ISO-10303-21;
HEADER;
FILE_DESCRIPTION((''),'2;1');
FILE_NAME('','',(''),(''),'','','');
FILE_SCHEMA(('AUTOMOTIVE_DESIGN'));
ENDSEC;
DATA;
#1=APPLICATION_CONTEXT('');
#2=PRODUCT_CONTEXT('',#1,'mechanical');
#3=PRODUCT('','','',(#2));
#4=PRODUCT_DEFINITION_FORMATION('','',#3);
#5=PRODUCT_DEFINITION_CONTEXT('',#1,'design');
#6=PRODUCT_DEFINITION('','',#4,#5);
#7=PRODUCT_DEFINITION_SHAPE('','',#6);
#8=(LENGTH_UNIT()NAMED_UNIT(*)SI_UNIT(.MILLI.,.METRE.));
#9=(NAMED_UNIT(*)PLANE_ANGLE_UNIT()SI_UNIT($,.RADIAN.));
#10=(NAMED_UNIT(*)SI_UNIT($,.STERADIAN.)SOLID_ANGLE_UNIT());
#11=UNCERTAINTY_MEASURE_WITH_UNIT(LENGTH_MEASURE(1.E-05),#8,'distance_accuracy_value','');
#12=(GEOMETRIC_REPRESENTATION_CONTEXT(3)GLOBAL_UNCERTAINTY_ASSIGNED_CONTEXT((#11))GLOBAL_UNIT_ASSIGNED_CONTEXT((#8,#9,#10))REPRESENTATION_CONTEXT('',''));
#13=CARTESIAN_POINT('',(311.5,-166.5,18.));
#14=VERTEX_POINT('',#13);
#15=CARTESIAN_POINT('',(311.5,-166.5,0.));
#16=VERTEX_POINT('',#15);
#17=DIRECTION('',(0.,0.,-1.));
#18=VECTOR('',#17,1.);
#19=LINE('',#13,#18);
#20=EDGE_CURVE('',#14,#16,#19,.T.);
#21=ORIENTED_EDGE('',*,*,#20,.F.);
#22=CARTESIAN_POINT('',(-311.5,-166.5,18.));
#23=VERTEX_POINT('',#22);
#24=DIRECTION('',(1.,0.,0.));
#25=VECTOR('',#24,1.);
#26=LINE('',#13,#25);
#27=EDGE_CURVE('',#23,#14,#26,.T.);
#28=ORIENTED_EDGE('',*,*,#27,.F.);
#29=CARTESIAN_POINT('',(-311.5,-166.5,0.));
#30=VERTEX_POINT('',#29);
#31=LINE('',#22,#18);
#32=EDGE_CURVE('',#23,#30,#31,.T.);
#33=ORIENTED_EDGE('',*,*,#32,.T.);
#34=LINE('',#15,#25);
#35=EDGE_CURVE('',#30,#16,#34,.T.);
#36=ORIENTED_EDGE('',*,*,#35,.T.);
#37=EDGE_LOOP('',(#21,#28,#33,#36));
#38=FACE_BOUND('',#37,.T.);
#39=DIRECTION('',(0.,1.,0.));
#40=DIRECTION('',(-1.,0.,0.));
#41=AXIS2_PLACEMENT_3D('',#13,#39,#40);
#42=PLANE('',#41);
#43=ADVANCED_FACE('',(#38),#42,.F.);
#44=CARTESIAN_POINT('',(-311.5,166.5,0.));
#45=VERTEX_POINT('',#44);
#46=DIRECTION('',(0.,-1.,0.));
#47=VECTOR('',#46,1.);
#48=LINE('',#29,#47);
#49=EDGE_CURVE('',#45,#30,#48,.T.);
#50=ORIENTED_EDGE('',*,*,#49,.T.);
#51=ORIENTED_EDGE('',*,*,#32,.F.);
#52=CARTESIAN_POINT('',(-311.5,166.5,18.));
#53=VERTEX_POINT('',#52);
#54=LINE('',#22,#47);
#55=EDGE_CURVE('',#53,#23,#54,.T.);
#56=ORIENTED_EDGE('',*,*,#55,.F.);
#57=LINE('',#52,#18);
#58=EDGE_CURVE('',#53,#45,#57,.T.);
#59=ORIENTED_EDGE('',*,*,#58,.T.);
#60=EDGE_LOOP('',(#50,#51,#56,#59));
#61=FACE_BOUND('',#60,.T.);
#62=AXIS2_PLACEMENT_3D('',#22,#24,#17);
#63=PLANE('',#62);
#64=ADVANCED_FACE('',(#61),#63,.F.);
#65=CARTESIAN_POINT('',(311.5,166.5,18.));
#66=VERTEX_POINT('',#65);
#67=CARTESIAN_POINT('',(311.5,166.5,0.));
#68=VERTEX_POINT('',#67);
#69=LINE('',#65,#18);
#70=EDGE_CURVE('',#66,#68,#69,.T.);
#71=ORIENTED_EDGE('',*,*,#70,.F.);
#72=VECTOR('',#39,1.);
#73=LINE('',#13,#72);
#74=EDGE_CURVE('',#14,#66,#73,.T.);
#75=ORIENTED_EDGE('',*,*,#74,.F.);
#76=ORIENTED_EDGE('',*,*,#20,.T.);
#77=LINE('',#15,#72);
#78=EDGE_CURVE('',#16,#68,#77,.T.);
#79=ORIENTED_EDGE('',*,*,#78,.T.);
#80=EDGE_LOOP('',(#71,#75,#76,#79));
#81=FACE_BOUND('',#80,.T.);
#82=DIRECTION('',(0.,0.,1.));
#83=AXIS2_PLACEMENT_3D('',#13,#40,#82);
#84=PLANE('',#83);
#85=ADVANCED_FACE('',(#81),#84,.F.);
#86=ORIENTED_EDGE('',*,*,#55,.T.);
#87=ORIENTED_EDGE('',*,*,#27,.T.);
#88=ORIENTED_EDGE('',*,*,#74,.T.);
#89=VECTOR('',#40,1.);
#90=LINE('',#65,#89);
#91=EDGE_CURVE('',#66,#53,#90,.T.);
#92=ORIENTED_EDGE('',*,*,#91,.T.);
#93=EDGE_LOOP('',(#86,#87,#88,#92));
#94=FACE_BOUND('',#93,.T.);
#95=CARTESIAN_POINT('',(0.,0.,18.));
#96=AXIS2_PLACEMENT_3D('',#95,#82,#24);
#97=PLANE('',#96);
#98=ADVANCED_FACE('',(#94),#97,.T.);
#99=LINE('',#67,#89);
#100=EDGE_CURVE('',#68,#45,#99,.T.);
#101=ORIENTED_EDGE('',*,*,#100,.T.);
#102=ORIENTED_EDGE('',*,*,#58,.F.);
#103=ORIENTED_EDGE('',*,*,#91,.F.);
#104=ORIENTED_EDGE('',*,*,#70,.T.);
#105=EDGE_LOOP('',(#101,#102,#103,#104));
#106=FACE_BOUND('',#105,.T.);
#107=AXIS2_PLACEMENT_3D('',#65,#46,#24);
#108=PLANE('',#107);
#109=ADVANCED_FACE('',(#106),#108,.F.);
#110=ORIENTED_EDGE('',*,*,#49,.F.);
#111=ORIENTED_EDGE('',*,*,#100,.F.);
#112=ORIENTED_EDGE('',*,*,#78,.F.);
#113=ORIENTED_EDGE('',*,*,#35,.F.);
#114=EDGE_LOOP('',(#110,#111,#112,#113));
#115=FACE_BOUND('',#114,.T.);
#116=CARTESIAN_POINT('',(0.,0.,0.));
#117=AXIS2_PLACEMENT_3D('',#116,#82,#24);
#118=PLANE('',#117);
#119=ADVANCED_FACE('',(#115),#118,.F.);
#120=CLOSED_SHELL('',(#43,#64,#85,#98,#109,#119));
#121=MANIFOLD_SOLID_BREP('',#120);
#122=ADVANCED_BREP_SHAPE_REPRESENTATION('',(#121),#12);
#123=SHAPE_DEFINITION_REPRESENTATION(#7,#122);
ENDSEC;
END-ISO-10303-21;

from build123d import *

# Parameters (mm, degrees)
SKETCH1_W           = 623
SKETCH1_H           = 333
BOSS_EXTRUDE1_DEPTH = 18


with BuildPart() as part:
    # Sketch1 → Boss-Extrude1 (new body)
    with BuildSketch(Plane.XY):
        Rectangle(SKETCH1_W, SKETCH1_H)
    extrude(amount=BOSS_EXTRUDE1_DEPTH)


solid = part.part
